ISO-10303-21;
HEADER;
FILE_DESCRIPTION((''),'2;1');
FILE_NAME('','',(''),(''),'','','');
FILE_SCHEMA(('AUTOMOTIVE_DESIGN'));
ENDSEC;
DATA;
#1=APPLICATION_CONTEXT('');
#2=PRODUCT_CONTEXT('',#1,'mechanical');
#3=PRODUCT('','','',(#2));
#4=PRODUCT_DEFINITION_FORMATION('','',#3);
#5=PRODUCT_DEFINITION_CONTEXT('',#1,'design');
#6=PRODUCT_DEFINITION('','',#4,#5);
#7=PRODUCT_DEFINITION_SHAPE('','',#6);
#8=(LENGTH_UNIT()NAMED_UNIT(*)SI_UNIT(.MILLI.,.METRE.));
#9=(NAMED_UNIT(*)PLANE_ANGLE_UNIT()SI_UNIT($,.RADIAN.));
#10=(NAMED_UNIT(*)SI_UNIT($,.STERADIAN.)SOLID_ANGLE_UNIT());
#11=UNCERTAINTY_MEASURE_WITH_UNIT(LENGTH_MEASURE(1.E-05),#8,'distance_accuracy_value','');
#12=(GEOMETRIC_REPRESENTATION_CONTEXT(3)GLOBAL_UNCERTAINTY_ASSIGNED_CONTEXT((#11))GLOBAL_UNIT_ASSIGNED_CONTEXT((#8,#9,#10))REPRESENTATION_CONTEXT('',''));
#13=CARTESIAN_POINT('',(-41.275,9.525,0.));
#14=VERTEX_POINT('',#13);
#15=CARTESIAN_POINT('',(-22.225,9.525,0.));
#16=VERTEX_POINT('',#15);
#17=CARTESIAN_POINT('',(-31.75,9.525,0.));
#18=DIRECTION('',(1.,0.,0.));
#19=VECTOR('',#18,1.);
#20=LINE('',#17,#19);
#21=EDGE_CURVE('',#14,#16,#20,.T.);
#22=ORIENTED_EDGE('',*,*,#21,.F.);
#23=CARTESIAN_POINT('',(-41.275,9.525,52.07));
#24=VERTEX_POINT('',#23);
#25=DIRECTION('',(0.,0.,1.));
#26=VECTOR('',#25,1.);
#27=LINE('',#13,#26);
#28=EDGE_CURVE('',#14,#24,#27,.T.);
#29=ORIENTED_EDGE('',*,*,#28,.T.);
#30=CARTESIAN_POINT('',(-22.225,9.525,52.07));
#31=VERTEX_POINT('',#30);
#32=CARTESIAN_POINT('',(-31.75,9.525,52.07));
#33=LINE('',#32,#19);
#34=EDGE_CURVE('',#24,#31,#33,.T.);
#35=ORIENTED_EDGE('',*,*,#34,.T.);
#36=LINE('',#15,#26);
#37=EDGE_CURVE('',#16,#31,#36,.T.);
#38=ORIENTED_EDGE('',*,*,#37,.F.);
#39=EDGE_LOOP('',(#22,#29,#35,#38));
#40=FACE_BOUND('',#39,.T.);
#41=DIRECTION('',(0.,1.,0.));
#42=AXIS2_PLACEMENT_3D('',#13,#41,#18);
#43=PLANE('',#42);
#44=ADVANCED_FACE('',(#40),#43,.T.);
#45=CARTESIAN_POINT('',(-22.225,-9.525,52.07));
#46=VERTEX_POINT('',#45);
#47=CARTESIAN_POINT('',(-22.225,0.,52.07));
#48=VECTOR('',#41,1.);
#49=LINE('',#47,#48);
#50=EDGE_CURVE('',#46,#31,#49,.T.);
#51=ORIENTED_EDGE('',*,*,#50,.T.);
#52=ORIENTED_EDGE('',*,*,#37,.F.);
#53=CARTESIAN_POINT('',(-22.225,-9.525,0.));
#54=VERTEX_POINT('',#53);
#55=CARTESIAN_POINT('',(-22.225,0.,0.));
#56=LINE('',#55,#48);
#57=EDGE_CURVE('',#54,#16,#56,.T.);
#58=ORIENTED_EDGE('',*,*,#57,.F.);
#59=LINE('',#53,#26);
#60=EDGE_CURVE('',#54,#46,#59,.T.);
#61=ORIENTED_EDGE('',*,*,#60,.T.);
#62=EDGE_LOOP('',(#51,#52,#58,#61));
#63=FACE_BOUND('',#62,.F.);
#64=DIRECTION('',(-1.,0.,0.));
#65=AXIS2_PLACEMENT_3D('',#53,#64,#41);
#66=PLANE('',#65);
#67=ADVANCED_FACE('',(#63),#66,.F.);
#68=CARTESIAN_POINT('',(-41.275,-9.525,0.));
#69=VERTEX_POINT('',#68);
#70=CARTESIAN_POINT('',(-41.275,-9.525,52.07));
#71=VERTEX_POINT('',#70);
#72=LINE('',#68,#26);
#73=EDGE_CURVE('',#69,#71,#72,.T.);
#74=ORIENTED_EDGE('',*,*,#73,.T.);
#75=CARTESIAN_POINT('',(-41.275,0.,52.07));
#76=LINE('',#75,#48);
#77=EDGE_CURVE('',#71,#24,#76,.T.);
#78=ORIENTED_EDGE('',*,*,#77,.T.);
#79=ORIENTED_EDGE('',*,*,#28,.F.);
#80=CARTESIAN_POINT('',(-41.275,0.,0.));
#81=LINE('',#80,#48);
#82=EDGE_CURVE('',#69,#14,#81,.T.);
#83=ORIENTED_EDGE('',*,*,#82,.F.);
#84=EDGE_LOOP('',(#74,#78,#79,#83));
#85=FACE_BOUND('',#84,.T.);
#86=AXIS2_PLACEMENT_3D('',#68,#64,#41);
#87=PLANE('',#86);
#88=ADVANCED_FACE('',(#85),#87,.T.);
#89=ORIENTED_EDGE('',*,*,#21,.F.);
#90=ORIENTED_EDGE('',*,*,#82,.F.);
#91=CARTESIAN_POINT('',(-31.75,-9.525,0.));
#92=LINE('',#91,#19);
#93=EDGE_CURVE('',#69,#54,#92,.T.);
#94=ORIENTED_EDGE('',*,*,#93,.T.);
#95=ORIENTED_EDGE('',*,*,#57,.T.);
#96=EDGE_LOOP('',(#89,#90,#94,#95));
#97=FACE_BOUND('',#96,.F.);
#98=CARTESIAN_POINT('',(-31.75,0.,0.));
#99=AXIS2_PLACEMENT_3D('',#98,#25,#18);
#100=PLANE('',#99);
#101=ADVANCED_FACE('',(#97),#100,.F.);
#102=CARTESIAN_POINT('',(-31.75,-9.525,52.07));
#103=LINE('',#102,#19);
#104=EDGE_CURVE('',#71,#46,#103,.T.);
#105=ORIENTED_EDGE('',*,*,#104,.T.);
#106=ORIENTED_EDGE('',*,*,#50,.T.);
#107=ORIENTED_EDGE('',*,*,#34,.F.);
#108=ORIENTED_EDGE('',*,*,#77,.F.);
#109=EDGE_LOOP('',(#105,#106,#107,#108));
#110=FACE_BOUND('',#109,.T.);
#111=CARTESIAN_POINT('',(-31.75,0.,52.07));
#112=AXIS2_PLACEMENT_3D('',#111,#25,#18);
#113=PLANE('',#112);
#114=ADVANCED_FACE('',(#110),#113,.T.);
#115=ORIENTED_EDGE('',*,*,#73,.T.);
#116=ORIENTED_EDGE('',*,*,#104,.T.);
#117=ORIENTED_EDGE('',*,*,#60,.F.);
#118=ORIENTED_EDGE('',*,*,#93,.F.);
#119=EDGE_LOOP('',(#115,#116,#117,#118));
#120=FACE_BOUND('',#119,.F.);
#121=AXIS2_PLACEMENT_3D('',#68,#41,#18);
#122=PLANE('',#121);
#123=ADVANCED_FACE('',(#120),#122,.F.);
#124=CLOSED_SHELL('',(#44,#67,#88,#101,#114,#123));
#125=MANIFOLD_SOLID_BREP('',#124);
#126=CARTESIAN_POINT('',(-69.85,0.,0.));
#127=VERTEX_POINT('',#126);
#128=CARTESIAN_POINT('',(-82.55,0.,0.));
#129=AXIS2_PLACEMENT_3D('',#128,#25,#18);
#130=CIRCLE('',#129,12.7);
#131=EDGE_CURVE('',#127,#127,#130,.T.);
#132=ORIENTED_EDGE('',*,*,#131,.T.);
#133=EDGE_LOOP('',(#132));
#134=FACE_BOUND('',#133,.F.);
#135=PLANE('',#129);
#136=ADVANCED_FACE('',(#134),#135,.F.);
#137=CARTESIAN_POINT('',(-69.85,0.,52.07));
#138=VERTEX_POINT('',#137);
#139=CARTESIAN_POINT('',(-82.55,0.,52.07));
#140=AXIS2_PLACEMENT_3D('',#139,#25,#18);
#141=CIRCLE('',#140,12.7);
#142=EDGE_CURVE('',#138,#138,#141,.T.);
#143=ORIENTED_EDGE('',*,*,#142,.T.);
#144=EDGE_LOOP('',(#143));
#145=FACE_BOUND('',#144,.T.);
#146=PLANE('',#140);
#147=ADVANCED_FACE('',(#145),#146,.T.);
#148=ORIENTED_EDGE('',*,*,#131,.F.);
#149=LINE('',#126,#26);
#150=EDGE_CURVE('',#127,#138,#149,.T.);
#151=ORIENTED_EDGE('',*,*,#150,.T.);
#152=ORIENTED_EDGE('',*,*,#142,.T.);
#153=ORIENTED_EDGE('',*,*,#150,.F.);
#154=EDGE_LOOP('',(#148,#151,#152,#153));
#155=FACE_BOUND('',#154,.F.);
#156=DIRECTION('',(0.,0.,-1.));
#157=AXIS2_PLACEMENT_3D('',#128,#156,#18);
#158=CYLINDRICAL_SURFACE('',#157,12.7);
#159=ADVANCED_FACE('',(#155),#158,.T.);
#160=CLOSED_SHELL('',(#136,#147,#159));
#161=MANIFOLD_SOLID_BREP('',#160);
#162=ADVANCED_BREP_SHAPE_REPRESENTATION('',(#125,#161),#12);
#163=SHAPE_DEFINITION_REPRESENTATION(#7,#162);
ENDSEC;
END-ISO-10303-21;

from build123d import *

# Parameters (mm, degrees)
F0_R     = 12.7
F0_W     = 19.05
F0_H     = 19.05
F1_DEPTH = 52.07


with BuildPart() as f1:
    # F0 (on Top) → F1 (new body)
    with BuildSketch(Plane.XY):
        with Locations((-82.55, 0)):
            Circle(F0_R)
        with Locations((-31.75, 0)):
            Rectangle(F0_W, F0_H)
    extrude(amount=F1_DEPTH)


solid = f1.part
